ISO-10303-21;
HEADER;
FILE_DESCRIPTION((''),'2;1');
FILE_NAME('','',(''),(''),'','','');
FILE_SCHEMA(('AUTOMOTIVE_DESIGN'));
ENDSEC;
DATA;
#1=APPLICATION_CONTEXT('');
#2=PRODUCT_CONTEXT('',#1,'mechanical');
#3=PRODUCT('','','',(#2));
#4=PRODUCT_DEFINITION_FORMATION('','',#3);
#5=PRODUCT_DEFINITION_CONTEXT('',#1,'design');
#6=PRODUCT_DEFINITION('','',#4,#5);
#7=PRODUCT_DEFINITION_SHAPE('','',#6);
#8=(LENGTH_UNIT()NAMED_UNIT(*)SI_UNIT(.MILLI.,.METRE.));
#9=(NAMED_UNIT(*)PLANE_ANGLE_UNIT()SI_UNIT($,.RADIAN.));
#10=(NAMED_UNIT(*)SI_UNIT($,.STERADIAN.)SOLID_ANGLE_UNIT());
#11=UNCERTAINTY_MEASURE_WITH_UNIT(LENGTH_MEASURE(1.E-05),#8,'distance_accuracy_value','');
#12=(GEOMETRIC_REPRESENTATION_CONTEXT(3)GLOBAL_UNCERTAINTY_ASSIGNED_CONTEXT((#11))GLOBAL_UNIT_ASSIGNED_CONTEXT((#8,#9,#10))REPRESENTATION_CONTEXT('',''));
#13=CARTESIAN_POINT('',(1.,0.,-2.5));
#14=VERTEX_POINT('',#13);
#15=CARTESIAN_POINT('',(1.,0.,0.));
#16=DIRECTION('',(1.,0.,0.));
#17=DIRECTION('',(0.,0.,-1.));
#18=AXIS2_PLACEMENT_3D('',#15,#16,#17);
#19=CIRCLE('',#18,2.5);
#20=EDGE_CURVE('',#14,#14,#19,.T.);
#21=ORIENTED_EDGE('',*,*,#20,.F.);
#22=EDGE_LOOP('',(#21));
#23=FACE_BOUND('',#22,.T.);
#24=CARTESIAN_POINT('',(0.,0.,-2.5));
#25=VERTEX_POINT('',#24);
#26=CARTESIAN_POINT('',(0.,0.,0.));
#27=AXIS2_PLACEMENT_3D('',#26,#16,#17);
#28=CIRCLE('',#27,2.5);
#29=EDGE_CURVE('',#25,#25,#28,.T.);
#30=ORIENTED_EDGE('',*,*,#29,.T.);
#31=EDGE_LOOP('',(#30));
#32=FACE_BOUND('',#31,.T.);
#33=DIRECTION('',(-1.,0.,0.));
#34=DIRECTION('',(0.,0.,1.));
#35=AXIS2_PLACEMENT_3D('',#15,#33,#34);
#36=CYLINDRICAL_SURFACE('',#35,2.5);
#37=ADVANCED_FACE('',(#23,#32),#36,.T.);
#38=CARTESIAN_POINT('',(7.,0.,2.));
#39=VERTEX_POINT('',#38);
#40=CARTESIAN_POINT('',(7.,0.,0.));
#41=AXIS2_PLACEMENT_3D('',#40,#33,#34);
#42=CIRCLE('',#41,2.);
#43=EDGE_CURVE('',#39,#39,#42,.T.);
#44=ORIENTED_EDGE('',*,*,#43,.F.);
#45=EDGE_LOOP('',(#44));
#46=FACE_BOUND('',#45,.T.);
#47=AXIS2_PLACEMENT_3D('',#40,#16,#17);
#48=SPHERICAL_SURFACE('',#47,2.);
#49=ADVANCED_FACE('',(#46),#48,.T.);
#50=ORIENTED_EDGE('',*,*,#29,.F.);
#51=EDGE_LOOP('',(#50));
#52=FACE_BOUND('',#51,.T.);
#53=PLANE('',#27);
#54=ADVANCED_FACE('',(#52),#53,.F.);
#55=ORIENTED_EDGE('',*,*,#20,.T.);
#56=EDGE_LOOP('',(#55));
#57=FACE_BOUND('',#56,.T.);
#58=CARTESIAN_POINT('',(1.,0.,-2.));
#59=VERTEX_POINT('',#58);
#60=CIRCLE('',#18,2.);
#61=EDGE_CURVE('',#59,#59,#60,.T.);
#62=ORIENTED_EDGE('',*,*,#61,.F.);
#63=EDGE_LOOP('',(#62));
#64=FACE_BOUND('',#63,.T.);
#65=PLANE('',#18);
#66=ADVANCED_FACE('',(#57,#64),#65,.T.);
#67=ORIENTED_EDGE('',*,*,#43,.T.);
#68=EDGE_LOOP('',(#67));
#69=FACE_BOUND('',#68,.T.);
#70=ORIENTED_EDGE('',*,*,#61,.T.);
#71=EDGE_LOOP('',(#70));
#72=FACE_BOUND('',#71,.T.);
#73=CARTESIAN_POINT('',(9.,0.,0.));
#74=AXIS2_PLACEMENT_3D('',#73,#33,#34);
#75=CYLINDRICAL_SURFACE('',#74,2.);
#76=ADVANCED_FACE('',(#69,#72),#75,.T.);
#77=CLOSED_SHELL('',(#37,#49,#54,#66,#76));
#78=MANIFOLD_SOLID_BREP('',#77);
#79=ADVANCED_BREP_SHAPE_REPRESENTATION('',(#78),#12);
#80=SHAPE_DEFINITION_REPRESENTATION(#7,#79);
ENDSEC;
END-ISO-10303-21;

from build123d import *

# Parameters (mm, degrees)
SKETCH1_R           = 2.5
BOSS_EXTRUDE1_DEPTH = 1
SKETCH2_R           = 2
BOSS_EXTRUDE2_DEPTH = 8
FILLET2_R           = 2


with BuildPart() as part:
    # Sketch1 → Boss-Extrude1 (new body)
    with BuildSketch(Plane(origin=(0, 0, 0), x_dir=(0, 0, -1), z_dir=(1, 0, 0))):
        Circle(SKETCH1_R)
    extrude(amount=BOSS_EXTRUDE1_DEPTH)

    # Sketch2 → Boss-Extrude2 (add)
    with BuildSketch(Plane(origin=(1, 0, 0), x_dir=(0, 0, -1), z_dir=(1, 0, 0))):
        Circle(SKETCH2_R)
    extrude(amount=BOSS_EXTRUDE2_DEPTH)

    # Fillet2
    fillet2_edges = [part.edges().sort_by_distance(p)[0] for p in [
        (9, 0, 2),
    ]]
    fillet(fillet2_edges, radius=FILLET2_R)


solid = part.part
